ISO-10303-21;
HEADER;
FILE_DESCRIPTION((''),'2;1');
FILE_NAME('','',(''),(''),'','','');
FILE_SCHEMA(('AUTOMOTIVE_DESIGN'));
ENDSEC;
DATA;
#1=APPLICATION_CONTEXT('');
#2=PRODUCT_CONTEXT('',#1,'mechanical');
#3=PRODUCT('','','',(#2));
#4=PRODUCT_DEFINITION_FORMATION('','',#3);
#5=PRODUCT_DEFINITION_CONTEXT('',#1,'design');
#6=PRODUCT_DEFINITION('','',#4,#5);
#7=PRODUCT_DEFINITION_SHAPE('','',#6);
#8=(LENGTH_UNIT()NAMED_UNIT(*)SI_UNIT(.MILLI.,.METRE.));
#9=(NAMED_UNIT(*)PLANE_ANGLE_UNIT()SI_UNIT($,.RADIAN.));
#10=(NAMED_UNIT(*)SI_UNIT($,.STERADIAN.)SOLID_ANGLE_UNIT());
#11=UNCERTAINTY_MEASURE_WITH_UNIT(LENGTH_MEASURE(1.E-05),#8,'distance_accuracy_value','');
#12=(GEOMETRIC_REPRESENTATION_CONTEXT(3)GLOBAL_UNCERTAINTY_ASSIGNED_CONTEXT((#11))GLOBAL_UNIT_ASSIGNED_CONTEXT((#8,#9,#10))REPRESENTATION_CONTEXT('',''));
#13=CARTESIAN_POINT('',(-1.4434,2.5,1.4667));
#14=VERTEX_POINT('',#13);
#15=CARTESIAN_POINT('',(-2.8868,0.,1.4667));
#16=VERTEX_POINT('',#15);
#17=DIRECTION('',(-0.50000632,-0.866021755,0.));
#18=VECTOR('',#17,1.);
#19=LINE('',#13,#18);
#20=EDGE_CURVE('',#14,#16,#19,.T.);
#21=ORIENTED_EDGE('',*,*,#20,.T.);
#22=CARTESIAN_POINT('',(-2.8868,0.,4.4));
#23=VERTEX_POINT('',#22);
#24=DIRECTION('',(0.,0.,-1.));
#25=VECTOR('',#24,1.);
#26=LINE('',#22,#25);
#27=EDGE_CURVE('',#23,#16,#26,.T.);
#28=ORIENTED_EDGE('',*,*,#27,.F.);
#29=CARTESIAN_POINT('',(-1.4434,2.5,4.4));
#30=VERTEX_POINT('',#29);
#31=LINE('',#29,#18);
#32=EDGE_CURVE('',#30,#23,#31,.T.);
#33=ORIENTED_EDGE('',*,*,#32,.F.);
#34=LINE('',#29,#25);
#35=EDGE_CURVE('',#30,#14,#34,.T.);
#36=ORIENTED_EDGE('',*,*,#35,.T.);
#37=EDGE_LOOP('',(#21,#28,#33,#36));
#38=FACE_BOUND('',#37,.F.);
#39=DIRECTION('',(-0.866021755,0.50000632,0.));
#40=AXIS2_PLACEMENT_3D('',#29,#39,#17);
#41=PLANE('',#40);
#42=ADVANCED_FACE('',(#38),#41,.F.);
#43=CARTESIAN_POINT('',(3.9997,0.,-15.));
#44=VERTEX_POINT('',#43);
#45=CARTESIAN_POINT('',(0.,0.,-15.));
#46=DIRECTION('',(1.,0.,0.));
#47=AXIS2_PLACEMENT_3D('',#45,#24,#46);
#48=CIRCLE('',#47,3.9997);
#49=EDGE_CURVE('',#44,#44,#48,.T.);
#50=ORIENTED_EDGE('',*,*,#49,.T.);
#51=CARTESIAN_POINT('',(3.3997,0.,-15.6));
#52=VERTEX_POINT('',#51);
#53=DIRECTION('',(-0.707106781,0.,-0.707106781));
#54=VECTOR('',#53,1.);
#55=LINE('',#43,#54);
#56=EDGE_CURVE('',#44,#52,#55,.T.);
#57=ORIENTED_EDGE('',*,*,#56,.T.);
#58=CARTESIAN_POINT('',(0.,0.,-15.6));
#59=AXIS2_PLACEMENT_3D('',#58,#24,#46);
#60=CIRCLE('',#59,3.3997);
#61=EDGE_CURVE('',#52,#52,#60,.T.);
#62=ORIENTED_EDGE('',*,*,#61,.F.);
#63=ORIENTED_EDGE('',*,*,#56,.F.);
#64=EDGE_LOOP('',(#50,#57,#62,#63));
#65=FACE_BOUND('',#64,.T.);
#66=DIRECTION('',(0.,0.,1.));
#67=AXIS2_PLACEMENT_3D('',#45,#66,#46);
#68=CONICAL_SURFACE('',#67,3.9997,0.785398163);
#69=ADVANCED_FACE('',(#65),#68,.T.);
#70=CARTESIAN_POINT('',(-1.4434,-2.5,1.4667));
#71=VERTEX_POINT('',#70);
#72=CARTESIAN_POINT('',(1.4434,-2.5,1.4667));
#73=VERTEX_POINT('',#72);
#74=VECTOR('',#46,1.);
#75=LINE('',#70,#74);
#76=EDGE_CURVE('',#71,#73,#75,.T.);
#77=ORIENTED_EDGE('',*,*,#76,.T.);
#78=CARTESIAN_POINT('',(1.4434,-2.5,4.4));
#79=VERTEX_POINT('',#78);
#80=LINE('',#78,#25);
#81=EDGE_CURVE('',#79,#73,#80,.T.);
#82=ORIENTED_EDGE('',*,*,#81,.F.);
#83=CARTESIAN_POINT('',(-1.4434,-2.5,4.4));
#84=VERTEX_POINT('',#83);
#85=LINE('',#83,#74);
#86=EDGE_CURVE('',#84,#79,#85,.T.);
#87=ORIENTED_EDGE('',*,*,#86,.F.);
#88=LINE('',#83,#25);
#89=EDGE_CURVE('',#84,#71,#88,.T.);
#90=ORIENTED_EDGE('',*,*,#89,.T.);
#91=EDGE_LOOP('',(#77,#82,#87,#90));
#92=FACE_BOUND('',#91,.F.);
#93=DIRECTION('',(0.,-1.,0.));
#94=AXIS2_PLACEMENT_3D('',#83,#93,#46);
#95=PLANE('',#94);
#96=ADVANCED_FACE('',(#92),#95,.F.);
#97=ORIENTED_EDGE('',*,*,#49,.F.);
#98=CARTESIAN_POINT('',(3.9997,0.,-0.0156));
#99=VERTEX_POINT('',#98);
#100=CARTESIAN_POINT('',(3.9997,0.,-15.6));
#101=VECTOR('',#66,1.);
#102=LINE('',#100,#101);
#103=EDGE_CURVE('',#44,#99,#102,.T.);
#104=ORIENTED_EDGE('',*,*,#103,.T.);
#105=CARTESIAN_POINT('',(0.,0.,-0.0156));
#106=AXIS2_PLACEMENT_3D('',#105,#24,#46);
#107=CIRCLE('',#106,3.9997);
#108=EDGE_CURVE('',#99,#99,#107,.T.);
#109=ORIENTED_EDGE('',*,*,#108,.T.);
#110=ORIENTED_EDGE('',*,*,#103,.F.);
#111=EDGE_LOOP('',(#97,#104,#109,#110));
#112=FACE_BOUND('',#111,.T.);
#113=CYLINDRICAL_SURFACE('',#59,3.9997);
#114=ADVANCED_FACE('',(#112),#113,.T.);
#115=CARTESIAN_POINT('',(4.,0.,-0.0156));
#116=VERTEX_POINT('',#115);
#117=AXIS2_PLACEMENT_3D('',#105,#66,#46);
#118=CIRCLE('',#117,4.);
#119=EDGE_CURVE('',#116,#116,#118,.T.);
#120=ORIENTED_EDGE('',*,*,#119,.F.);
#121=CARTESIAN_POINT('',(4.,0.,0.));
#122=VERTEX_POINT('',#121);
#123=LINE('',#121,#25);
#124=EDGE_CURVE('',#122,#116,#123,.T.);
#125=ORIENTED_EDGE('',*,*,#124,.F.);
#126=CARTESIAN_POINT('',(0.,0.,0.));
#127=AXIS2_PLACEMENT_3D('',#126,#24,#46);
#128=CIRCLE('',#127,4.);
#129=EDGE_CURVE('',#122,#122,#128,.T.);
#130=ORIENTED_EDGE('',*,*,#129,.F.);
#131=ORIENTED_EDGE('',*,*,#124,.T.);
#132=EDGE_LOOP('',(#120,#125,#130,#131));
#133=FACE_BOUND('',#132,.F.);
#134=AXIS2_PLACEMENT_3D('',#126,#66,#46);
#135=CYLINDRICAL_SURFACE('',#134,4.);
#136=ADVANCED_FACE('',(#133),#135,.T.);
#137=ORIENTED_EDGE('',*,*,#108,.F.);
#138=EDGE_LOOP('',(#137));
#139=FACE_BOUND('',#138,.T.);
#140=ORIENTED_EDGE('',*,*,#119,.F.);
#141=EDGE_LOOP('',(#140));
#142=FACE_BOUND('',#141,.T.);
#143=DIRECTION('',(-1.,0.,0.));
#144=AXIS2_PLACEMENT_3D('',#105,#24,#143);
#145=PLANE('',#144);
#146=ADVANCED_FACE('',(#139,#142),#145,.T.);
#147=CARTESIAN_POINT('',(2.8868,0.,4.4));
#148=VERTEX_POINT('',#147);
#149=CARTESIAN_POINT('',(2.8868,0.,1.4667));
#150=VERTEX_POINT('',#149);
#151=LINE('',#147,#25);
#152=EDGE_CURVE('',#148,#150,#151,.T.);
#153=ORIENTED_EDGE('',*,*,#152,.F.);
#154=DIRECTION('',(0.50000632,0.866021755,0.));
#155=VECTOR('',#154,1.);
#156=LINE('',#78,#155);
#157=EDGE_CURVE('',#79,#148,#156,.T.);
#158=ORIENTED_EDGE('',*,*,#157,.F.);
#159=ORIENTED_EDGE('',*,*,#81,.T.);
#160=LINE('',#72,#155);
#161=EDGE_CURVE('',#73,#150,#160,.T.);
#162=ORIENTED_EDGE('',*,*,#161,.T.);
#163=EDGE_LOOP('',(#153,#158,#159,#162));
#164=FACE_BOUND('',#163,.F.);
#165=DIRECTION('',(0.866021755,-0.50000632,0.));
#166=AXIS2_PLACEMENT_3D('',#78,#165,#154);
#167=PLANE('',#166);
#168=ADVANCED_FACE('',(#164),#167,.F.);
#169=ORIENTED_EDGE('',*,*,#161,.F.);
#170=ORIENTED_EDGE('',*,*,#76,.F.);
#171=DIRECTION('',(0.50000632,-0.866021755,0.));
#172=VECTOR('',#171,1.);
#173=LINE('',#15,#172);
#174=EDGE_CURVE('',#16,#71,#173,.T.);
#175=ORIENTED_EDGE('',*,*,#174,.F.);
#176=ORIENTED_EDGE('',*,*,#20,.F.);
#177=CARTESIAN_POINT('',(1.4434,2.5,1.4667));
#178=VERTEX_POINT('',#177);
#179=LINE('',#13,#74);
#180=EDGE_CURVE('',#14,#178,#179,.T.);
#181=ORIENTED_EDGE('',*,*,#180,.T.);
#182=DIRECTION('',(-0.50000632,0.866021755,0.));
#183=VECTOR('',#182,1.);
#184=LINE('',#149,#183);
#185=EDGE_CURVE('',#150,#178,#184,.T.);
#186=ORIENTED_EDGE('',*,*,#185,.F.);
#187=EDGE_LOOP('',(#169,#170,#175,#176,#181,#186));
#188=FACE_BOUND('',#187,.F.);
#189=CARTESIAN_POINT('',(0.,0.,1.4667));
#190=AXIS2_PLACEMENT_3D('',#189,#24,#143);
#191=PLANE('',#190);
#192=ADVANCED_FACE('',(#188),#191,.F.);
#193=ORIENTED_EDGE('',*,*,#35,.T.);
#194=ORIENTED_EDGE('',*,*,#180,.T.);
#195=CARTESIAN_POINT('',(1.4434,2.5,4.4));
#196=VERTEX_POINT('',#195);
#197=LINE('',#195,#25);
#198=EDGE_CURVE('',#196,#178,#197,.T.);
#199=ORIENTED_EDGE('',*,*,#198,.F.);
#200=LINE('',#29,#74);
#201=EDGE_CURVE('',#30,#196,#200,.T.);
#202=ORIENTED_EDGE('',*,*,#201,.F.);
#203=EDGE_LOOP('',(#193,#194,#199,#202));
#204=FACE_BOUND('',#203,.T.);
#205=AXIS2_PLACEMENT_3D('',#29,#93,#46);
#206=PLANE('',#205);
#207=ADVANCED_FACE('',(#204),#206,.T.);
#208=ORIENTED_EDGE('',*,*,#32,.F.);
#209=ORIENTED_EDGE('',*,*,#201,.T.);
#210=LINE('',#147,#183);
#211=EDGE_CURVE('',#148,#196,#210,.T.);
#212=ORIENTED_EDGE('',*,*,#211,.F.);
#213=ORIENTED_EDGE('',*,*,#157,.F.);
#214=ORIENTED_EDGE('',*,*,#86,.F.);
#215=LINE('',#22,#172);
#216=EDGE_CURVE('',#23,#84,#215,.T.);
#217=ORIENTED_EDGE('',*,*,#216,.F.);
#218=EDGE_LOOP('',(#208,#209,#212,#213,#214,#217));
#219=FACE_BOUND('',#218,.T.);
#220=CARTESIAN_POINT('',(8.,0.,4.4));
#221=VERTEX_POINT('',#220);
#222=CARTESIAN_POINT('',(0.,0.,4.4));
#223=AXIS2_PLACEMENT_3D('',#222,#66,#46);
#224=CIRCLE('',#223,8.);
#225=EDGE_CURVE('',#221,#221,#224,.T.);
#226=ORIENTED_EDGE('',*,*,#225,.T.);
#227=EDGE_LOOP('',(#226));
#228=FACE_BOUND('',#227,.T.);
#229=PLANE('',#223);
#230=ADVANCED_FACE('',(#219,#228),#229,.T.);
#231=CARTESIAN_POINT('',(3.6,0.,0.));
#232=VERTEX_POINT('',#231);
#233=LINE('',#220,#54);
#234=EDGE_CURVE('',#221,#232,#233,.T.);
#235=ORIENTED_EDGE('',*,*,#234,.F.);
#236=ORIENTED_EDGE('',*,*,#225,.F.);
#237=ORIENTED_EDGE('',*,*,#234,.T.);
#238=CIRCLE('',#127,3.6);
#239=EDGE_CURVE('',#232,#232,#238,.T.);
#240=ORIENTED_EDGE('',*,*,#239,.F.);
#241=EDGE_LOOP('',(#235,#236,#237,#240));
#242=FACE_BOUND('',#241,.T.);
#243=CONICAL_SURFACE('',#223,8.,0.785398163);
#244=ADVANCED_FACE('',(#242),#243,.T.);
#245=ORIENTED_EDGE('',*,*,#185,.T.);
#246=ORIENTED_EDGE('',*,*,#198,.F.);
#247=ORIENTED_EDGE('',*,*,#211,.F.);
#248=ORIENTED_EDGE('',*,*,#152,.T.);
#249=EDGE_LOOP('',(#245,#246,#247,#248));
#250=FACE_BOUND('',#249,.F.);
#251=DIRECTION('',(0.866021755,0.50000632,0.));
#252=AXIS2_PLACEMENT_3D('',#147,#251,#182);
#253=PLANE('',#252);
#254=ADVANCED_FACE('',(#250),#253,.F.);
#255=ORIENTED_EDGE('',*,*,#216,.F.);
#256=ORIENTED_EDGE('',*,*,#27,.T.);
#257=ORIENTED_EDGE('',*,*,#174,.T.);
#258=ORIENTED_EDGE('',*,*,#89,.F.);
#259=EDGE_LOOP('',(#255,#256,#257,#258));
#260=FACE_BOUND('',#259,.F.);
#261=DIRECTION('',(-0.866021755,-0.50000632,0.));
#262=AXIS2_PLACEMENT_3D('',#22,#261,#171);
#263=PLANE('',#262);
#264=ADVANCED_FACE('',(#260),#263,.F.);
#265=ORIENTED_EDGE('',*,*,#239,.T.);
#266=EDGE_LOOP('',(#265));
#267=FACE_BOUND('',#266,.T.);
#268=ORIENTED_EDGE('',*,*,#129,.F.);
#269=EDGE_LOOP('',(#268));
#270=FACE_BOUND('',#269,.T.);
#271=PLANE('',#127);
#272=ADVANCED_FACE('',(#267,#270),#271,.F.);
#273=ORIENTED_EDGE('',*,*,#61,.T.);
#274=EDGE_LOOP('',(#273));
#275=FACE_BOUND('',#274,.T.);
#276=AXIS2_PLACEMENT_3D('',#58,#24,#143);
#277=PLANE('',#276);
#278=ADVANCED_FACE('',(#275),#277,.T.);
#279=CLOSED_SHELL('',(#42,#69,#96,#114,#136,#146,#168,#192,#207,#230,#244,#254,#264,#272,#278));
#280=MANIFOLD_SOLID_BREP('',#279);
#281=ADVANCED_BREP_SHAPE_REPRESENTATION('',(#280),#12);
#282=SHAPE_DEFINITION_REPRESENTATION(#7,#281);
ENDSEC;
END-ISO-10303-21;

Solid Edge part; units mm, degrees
sketch "Sketch1" plane through (0, 0, 0) normal (0, 0, 1) x (1, 0, 0)
  circle A0 centre (0, 0) radius 8
  dimension "D1" = 16
extrude "Protrusion1" add sketch "Sketch1" along normal blind 4.4
sketch "Sketch2" plane through (0, 0, 0) normal (0, 0, -1) x (1, 0, 0)
  circle A0 centre (0, 0) radius 4
extrude "Protrusion2" add sketch "Sketch2" along normal blind 15.6
sketch "Sketch3" plane through (0, 0, -15.6) normal (0, 0, -1) x (1, 0, 0)
  circle A0 centre (0, 0) radius 3.9997
extrude "Cutout1" cut sketch "Sketch3" against normal blind 15.5844 flip side to cut
chamfer "Chamfer_1" distance 0.6 angle 45 1 edges at (-3.9997, 0, -15.6)
sketch "Sketch4" plane through (0, 0, 4.4) normal (0, 0, 1) x (1, 0, 0)
  line L0 (-1.4434, 2.5) -> (1.4434, 2.5)
  line L1 (2.8868, 0) -> (1.4434, 2.5)
  line L2 (1.4434, -2.5) -> (2.8868, 0)
  line L3 (-1.4434, -2.5) -> (1.4434, -2.5)
  line L4 (-2.8868, 0) -> (-1.4434, -2.5)
  line L5 (-1.4434, 2.5) -> (-2.8868, 0)
  dimension "D1" = 5
extrude "Cutout2" cut sketch "Sketch4" against normal blind 2.9333
sketch "Sketch5" plane through (0, 0, 0) normal (0, -1, 0) x (1, 0, 0)
  line L0 (8, 4.4) -> (3.6, 0)
  line L1 (3.6, 0) -> (8, 0)
  line L2 (8, 0) -> (8, 4.4)
revolve "RevolvedCutout1" cut sketch "Sketch5" angle 360 about axis through (0, 0, 14.0017) along (0, 0, -1)
properties part number "185775"
